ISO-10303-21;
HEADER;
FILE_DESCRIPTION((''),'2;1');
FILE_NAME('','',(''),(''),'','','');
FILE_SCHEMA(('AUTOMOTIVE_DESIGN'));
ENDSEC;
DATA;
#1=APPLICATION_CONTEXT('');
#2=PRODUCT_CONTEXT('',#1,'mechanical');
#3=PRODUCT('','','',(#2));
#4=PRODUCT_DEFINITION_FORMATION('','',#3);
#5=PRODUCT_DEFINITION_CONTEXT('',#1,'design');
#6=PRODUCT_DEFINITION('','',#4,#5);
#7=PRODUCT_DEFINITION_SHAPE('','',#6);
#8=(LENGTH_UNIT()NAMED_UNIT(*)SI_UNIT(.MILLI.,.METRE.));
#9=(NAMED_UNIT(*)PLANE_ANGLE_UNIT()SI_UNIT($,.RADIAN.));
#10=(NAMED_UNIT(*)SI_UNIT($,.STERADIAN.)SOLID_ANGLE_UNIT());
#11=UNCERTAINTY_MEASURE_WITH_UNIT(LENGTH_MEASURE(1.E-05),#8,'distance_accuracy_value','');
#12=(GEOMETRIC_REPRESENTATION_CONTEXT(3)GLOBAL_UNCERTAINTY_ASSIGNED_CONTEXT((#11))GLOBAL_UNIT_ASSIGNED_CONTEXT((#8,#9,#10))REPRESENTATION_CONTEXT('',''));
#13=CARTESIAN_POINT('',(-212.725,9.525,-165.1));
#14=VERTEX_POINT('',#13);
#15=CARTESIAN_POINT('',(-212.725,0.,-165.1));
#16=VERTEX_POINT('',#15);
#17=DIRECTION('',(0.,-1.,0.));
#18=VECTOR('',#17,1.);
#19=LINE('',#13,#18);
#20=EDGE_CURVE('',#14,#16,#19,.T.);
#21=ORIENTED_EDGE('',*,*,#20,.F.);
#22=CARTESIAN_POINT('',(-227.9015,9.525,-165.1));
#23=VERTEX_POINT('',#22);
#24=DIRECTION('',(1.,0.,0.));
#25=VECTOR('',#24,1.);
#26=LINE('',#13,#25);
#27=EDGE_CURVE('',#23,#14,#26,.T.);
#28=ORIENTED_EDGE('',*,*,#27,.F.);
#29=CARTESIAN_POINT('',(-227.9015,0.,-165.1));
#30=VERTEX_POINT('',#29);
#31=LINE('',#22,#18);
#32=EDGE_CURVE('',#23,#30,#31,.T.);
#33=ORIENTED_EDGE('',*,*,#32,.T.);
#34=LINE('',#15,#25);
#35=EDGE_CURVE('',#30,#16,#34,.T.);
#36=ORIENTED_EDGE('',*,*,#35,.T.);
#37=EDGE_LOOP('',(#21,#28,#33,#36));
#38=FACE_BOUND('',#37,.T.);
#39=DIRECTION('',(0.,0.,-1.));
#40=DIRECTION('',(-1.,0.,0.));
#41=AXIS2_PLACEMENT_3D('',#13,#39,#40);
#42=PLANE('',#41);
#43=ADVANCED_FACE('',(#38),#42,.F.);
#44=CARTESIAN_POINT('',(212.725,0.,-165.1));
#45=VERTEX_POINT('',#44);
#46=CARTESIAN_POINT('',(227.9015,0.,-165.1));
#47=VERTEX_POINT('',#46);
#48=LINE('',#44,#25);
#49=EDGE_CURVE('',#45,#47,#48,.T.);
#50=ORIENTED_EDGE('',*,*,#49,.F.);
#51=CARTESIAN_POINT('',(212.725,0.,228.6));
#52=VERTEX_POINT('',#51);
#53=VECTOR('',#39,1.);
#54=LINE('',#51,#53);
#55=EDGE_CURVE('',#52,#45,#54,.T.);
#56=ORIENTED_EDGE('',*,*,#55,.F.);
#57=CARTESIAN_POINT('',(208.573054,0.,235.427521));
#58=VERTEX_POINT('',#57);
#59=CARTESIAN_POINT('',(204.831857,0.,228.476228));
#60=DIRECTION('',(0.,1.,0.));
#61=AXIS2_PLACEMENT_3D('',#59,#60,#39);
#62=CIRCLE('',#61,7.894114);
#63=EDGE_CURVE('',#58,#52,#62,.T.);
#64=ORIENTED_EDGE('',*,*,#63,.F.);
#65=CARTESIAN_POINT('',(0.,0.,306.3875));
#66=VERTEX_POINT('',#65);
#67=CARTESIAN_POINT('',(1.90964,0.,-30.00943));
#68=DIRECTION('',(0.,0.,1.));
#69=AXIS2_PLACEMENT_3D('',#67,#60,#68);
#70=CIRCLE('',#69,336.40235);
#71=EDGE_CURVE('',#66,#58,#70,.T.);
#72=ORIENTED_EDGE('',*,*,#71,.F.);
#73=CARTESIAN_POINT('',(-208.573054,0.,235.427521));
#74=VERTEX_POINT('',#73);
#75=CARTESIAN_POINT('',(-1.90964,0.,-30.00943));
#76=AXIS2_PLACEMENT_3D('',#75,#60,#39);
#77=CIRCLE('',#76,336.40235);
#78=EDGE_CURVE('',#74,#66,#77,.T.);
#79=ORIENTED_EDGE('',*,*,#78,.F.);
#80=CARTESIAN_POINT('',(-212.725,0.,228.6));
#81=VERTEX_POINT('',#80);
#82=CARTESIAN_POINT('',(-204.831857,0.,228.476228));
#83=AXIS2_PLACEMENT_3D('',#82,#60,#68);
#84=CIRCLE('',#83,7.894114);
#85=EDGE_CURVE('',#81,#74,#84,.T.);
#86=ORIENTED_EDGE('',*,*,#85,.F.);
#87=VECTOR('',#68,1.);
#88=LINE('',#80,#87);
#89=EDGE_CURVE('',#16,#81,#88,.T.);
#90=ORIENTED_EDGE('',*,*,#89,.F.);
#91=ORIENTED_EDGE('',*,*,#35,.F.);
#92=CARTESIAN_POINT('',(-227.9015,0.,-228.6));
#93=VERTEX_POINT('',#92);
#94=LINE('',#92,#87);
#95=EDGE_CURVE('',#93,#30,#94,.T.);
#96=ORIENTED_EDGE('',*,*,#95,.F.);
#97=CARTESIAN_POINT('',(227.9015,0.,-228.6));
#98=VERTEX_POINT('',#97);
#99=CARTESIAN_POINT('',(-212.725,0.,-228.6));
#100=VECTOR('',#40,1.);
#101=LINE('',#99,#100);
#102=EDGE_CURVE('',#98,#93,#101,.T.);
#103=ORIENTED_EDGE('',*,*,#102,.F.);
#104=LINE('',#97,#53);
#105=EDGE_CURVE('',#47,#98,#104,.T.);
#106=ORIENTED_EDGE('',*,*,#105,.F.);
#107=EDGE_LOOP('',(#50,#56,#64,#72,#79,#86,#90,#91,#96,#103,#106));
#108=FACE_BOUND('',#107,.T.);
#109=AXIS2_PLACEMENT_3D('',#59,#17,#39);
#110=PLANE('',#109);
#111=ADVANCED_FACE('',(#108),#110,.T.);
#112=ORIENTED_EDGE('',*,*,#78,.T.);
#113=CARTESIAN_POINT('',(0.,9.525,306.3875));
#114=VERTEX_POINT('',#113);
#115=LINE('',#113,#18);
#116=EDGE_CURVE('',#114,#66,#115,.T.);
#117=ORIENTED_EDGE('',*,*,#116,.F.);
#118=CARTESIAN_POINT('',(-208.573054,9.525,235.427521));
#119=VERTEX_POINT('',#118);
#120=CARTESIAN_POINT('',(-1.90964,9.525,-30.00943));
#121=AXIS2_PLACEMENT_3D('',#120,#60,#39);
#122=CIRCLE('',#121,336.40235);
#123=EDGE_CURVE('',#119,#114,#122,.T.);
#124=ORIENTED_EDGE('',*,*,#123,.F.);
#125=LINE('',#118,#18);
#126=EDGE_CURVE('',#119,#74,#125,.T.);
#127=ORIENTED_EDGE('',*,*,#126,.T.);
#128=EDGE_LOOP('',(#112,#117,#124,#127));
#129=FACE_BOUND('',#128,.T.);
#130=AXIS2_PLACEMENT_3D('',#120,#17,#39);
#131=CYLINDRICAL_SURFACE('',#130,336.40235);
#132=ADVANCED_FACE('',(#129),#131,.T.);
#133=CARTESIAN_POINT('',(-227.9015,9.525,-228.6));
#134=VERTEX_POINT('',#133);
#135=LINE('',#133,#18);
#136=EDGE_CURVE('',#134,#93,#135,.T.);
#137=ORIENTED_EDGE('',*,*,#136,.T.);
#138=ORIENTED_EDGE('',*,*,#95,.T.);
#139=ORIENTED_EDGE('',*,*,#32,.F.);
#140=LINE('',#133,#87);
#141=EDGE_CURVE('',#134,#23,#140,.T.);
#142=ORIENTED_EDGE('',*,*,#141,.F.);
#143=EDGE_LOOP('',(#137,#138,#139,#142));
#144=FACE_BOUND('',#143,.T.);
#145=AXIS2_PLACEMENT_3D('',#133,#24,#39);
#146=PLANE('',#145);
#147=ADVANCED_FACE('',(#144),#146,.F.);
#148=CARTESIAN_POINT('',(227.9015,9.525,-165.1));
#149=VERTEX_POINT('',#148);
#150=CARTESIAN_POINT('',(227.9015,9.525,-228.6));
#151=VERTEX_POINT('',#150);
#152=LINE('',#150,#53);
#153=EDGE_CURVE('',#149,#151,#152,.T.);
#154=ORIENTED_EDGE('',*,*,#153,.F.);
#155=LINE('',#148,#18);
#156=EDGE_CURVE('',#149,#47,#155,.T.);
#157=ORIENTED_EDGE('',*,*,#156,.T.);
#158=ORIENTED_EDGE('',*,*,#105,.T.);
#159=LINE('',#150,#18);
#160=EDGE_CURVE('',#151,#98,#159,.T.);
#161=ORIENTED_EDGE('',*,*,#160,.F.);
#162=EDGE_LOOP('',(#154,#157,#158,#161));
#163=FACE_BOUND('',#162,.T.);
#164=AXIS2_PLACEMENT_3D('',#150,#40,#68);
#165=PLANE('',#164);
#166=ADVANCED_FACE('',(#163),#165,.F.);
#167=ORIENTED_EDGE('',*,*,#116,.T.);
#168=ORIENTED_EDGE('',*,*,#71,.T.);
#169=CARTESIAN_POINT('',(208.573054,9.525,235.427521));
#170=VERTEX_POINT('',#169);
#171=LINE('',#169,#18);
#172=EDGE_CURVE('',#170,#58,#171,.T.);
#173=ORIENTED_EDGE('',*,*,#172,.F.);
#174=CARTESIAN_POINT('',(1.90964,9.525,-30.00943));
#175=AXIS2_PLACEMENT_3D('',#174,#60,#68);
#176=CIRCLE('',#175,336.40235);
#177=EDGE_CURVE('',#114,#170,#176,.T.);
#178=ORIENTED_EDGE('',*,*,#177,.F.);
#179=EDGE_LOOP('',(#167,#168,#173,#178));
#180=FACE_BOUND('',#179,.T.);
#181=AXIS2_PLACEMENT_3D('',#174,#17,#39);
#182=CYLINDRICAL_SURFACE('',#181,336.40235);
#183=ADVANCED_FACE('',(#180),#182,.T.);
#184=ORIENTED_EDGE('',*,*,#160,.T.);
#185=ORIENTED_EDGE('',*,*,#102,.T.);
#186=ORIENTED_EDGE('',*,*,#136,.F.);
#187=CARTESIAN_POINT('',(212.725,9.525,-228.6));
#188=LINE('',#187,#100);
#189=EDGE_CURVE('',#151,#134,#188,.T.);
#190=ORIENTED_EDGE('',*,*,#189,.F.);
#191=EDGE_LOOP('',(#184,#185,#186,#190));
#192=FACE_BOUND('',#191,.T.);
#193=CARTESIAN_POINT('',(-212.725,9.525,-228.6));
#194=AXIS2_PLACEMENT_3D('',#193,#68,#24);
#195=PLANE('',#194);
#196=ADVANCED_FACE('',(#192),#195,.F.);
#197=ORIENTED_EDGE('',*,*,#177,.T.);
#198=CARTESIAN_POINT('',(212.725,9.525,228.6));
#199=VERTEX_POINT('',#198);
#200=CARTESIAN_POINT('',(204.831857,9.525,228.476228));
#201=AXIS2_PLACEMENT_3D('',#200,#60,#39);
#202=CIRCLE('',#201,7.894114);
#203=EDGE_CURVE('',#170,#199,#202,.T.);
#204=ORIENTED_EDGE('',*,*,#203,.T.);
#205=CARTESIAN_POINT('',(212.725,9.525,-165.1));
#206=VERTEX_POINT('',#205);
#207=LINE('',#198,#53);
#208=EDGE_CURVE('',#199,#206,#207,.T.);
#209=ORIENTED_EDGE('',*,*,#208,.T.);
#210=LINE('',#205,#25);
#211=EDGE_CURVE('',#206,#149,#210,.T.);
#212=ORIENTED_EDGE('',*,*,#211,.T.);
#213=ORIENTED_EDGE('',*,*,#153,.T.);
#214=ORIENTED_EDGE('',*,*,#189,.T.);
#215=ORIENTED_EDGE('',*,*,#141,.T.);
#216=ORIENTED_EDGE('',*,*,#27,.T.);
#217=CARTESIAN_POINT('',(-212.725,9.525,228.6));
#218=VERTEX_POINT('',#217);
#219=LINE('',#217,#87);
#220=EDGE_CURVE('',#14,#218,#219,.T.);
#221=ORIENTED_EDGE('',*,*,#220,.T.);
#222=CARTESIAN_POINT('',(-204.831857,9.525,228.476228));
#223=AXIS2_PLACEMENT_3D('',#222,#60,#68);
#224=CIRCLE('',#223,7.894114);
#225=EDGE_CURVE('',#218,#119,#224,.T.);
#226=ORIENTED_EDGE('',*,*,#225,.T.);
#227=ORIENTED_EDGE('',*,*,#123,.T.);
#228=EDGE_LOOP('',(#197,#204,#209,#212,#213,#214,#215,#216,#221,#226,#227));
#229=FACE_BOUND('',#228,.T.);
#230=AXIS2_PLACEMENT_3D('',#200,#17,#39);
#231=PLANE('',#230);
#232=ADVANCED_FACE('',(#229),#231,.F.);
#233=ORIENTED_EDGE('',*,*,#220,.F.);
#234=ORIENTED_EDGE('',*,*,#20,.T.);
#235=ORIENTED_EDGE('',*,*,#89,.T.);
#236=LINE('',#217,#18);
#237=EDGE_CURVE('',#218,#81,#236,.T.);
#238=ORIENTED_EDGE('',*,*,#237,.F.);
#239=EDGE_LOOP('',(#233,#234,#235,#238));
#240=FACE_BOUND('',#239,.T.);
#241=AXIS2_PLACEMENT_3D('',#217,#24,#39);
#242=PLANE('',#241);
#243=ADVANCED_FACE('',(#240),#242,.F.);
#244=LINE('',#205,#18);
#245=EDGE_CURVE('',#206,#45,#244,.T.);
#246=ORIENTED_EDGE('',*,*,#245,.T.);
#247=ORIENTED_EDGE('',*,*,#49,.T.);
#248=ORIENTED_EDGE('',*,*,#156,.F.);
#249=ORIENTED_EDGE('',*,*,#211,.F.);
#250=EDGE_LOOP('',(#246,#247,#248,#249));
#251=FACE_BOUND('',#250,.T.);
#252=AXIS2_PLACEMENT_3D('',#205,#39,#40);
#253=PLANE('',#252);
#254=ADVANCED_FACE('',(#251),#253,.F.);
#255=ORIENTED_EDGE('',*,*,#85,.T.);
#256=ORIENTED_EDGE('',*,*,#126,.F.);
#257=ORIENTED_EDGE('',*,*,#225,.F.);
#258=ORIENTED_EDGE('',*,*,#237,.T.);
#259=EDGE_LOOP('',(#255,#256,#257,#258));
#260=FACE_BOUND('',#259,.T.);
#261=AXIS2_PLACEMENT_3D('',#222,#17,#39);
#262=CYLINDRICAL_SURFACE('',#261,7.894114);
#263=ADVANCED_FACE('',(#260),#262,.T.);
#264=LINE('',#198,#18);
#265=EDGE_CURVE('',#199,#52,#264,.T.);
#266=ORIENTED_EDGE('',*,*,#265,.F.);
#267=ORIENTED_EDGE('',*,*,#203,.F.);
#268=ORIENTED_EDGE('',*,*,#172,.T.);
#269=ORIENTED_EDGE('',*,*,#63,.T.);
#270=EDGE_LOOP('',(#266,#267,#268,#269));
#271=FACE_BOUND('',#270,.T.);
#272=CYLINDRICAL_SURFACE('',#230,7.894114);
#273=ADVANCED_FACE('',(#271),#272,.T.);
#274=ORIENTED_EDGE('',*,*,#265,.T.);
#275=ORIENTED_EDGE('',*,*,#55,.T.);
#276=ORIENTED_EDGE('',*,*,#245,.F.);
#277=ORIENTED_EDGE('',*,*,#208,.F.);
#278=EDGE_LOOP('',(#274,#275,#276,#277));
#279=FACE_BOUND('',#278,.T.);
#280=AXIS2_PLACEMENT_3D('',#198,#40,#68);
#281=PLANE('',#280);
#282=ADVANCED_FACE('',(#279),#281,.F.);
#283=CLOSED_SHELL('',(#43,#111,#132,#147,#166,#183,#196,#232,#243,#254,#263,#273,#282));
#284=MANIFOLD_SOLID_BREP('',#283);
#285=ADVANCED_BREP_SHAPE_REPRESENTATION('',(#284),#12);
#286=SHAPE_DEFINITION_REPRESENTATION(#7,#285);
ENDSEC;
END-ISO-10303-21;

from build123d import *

# Parameters (mm, degrees)
BOSS_EXTRUDE3_DEPTH = 9.525


with BuildPart() as part:
    # Sketch1 → Boss-Extrude3 (new body)
    with BuildSketch(Plane(origin=(0, 0, 0), x_dir=(1, 0, 0), z_dir=(0, 1, 0))):
        with BuildLine():
            Line((-212.725, -228.6), (-212.725, 165.1))
            Line((-212.725, 165.1), (-227.9015, 165.1))
            Line((-227.9015, 165.1), (-227.9015, 228.6))
            Line((-227.9015, 228.6), (-212.725, 228.6))
            Line((-212.725, 228.6), (212.725, 228.6))
            Line((212.725, 228.6), (227.9015, 228.6))
            Line((227.9015, 228.6), (227.9015, 165.1))
            Line((227.9015, 165.1), (212.725, 165.1))
            Line((212.725, 165.1), (212.725, -228.6))
            ThreePointArc((212.725, -228.6), (211.576723559, -232.577910433), (208.573053823, -235.427520636))
            ThreePointArc((208.573053823, -235.427520636), (110.260259044, -288.46613371), (0, -306.3875))
            ThreePointArc((0, -306.3875), (-110.260259044, -288.46613371), (-208.573053823, -235.427520636))
            ThreePointArc((-208.573053823, -235.427520636), (-211.576723559, -232.577910433), (-212.725, -228.6))
        make_face()
    extrude(amount=BOSS_EXTRUDE3_DEPTH)


solid = part.part
